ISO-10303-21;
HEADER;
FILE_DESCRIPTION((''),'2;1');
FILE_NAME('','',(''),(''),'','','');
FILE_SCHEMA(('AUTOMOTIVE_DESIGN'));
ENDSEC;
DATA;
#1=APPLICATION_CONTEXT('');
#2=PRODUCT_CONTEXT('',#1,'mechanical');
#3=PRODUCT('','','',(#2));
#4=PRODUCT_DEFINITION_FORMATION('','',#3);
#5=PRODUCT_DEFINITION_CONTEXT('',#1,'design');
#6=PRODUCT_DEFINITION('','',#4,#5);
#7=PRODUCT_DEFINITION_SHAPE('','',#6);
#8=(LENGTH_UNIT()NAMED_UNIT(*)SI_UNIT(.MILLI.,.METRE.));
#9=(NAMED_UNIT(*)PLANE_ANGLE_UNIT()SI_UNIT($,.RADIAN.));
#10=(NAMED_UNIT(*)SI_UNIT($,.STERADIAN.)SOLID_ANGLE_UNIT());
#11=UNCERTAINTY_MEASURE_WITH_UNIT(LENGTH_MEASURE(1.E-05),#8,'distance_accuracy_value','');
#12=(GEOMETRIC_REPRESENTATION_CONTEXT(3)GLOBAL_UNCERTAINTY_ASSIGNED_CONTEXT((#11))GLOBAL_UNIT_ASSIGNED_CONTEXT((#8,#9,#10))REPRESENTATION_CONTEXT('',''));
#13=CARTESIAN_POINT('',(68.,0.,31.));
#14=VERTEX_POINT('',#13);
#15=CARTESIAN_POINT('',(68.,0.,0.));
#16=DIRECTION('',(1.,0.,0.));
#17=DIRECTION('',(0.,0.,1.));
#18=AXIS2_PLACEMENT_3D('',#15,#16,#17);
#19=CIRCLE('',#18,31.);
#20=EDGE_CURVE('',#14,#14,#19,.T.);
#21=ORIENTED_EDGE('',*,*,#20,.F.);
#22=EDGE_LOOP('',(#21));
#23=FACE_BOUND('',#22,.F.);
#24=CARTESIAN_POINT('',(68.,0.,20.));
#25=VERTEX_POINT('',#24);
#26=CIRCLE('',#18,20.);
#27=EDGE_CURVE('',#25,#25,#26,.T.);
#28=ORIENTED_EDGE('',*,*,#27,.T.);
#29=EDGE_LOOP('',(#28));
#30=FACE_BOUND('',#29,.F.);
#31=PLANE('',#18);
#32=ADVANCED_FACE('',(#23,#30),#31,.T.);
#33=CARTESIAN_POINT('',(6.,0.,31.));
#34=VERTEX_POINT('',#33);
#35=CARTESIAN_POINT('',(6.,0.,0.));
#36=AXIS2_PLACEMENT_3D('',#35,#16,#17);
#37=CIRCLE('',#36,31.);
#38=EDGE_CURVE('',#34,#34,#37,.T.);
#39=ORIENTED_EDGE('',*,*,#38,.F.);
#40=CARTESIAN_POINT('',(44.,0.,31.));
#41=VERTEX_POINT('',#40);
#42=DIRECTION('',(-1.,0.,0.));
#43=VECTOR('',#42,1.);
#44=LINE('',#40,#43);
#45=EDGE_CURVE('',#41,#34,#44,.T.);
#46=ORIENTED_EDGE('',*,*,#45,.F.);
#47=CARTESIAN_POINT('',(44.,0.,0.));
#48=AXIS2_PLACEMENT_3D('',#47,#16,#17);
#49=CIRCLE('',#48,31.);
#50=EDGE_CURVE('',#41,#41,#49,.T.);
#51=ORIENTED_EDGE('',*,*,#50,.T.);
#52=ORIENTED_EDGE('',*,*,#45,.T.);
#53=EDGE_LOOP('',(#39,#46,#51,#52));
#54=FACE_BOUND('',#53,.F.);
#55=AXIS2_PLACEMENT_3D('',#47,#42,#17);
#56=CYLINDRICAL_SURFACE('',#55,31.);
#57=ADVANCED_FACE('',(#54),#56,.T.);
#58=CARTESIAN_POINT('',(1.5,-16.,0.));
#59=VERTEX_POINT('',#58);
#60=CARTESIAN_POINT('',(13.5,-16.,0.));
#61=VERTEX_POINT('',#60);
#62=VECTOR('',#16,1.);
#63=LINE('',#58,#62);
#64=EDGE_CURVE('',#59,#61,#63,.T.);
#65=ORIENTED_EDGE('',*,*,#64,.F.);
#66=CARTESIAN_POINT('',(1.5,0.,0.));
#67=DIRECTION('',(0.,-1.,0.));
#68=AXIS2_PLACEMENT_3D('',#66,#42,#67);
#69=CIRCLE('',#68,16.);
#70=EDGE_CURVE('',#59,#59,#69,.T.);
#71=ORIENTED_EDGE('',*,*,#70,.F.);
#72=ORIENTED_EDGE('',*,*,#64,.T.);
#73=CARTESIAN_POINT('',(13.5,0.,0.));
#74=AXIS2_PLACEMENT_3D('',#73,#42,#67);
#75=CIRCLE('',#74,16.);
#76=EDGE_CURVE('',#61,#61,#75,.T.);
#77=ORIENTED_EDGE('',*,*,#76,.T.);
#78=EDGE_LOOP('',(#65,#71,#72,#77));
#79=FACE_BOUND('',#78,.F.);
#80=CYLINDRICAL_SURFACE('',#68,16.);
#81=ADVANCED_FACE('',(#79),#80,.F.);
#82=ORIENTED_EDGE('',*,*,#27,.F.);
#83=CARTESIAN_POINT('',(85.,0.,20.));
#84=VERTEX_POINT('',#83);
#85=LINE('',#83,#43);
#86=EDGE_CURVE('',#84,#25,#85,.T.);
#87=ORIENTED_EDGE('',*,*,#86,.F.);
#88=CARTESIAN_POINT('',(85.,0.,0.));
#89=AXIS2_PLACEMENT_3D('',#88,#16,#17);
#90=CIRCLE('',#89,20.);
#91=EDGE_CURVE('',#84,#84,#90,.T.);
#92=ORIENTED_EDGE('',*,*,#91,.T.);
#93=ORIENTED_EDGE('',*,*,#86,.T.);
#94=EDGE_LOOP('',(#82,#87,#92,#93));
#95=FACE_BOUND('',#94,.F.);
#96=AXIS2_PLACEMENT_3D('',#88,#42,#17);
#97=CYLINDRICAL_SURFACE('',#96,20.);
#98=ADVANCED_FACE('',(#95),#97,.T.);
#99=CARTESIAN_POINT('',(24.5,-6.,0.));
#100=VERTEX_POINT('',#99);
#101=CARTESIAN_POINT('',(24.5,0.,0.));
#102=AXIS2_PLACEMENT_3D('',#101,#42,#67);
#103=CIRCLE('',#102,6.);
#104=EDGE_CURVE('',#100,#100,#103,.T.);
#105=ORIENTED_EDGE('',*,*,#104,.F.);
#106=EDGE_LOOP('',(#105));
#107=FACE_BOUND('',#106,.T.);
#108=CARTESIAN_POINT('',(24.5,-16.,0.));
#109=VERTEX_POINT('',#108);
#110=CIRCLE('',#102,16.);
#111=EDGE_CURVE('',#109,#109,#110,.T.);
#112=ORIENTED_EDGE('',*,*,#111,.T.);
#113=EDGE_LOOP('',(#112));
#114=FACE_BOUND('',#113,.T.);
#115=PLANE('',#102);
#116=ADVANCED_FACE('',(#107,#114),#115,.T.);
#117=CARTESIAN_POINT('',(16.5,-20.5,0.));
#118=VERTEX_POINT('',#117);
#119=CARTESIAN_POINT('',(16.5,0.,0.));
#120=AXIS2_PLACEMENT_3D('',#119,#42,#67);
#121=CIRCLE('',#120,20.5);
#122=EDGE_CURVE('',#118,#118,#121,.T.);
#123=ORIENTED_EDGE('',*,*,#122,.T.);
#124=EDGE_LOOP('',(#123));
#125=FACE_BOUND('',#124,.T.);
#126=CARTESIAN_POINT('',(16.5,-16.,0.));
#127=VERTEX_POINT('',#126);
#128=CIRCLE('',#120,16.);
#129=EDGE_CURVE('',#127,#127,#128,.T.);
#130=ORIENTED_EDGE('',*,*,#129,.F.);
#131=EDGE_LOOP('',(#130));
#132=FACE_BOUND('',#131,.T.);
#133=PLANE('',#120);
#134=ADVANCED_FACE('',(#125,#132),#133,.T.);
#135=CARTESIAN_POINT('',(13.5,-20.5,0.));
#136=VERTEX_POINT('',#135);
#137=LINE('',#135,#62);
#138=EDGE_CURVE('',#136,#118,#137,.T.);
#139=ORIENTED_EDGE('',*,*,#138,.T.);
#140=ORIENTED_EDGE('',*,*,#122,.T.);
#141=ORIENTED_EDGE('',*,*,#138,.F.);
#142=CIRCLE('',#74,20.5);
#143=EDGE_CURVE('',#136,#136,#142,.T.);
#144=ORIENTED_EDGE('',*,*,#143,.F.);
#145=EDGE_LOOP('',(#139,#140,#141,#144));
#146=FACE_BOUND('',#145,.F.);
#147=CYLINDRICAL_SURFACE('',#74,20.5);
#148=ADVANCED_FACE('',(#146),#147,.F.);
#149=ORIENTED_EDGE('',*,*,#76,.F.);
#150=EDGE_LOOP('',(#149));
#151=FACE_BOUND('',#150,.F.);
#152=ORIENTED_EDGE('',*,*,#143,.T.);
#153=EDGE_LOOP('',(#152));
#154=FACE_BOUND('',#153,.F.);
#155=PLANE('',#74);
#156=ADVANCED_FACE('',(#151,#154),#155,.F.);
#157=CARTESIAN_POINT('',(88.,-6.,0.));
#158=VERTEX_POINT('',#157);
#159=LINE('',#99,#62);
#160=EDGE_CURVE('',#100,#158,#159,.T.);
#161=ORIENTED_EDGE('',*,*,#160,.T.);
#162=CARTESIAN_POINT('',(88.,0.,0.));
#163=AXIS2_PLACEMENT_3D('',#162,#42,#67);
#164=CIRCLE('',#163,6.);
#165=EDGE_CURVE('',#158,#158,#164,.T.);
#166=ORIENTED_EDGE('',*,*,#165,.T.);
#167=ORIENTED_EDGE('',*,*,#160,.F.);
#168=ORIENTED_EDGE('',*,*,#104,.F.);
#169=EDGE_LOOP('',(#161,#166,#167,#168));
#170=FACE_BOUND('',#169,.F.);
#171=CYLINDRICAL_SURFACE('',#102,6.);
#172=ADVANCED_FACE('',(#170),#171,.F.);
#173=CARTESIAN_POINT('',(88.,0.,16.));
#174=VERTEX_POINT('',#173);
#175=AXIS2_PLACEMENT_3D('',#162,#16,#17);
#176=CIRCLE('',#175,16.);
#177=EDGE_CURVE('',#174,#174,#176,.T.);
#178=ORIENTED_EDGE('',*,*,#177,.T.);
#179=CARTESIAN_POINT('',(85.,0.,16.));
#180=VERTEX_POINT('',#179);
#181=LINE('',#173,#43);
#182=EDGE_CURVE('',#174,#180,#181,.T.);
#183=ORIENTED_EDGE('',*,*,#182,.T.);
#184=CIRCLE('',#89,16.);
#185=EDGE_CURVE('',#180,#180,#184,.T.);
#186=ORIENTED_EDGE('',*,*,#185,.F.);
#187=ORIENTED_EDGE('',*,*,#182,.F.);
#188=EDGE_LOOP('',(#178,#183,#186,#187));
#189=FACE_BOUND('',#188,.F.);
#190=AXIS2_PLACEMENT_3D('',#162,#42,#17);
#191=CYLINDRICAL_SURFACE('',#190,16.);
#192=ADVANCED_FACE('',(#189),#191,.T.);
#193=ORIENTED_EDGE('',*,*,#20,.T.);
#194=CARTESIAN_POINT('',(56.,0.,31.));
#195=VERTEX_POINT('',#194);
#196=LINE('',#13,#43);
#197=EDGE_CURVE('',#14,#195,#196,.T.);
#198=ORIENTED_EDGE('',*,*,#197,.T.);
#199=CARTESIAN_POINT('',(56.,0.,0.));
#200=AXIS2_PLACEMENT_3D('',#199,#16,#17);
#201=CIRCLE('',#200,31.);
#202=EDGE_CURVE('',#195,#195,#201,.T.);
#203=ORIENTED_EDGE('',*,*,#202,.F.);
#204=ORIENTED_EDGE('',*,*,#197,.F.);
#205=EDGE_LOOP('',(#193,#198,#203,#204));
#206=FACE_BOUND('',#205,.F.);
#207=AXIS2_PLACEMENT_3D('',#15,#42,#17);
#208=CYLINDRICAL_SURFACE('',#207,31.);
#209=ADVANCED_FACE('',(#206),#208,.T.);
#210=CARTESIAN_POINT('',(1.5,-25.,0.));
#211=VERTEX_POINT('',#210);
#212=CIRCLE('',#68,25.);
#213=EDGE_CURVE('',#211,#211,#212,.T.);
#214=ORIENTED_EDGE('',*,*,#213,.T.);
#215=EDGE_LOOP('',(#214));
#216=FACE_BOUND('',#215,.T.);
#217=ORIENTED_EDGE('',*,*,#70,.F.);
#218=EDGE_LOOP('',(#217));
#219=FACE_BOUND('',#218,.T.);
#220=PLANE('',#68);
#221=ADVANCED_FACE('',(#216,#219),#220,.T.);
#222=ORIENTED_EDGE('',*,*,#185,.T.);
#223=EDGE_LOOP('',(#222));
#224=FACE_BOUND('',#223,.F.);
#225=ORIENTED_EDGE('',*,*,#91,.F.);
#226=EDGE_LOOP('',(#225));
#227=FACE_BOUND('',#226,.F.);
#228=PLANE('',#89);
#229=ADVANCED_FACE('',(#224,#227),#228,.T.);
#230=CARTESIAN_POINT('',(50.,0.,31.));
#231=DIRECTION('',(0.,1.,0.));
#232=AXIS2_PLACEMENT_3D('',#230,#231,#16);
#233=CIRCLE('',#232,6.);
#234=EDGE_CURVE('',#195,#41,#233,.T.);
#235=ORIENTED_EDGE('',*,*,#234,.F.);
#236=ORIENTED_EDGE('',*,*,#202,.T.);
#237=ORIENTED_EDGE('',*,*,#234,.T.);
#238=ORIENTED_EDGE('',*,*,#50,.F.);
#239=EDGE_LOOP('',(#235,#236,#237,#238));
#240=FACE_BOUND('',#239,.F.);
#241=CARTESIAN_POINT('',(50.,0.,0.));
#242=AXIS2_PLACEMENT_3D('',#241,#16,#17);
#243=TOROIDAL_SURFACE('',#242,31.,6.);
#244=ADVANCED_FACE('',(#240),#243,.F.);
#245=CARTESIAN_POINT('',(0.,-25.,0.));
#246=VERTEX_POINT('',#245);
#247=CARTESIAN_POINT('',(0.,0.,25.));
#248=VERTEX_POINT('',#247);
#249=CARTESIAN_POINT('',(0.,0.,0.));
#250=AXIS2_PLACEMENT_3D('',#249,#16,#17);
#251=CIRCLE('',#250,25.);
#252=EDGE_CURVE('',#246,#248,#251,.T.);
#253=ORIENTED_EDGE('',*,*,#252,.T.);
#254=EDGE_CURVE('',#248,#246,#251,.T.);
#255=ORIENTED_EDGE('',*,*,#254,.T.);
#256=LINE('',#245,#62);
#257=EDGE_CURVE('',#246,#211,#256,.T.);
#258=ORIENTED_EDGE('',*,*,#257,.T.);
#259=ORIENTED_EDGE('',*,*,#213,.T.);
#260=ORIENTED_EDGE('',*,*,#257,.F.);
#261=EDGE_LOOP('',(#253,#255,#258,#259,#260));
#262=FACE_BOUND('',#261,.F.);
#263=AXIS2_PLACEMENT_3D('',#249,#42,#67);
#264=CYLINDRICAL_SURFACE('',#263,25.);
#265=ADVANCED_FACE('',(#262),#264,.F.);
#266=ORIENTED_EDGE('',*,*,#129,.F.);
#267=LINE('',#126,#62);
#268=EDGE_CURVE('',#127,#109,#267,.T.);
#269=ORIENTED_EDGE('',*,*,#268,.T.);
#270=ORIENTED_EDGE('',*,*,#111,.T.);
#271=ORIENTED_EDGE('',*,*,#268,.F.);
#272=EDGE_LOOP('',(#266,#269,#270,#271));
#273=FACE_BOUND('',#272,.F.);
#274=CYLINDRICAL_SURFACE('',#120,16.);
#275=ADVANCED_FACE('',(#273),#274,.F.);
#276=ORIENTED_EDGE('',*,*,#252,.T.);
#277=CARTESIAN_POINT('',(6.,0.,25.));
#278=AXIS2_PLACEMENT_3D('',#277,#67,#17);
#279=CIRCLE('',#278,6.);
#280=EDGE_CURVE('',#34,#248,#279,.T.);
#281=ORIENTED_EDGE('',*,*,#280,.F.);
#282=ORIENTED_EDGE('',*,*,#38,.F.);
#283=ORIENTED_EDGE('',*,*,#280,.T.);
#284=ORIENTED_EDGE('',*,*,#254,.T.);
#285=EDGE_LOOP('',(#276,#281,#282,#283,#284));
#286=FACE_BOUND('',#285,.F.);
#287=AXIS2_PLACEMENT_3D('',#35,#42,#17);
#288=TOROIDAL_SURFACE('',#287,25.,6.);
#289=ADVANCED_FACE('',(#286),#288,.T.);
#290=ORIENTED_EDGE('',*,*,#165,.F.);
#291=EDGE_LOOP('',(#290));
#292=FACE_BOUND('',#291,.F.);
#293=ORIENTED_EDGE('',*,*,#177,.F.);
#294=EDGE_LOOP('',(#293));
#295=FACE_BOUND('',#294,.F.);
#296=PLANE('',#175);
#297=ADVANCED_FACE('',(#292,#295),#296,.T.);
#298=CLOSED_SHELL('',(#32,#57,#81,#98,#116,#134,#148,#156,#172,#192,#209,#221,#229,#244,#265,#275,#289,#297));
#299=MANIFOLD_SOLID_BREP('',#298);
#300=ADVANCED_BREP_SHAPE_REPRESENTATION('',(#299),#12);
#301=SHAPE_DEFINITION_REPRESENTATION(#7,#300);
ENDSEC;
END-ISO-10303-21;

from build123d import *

# Parameters (mm, degrees)
F2_R      = 25
F3_DEPTH  = 1.5
F4_R      = 16
F5_DEPTH  = 12
F6_R      = 20.5
F7_DEPTH  = 3
F8_R      = 16
F9_DEPTH  = 8
F10_R     = 6
F11_DEPTH = 63.501


with BuildPart() as f1:
    # F0 (on Front) → F1 (revolve)
    with BuildSketch(Plane.XZ):
        with BuildLine():
            Line((0, 25), (0, 0))
            Line((0, 0), (88, 0))
            Line((88, 0), (88, 16))
            Line((88, 16), (85, 16))
            Line((85, 16), (85, 20))
            Line((85, 20), (68, 20))
            Line((68, 20), (68, 31))
            Line((68, 31), (56, 31))
            ThreePointArc((56, 31), (50, 25), (44, 31))
            Line((44, 31), (6, 31))
            ThreePointArc((6, 31), (1.7573593129, 29.2426406871), (0, 25))
        make_face()
    revolve(axis=Axis((44, 0, 0), (1, 0, 0)))

    # F2 (on face) → F3 (cut)
    with BuildSketch(Plane(origin=(0, 0, 0), x_dir=(0, -1, 0), z_dir=(-1, 0, 0))):
        Circle(F2_R)
    extrude(amount=-F3_DEPTH, mode=Mode.SUBTRACT)

    # F4 (on face) → F5 (cut)
    with BuildSketch(Plane(origin=(1.5, 0, 0), x_dir=(0, -1, 0), z_dir=(-1, 0, 0))):
        Circle(F4_R)
    extrude(amount=-F5_DEPTH, mode=Mode.SUBTRACT)

    # F6 (on face) → F7 (cut)
    with BuildSketch(Plane(origin=(13.5, 0, 0), x_dir=(0, -1, 0), z_dir=(-1, 0, 0))):
        Circle(F6_R)
    extrude(amount=-F7_DEPTH, mode=Mode.SUBTRACT)

    # F8 (on face) → F9 (cut)
    with BuildSketch(Plane(origin=(16.5, 0, 0), x_dir=(0, -1, 0), z_dir=(-1, 0, 0))):
        Circle(F8_R)
    extrude(amount=-F9_DEPTH, mode=Mode.SUBTRACT)

    # F10 (on face) → F11 (cut, through all)
    with BuildSketch(Plane(origin=(24.5, 0, 0), x_dir=(0, -1, 0), z_dir=(-1, 0, 0))):
        Circle(F10_R)
    extrude(amount=-F11_DEPTH, mode=Mode.SUBTRACT)


solid = f1.part
